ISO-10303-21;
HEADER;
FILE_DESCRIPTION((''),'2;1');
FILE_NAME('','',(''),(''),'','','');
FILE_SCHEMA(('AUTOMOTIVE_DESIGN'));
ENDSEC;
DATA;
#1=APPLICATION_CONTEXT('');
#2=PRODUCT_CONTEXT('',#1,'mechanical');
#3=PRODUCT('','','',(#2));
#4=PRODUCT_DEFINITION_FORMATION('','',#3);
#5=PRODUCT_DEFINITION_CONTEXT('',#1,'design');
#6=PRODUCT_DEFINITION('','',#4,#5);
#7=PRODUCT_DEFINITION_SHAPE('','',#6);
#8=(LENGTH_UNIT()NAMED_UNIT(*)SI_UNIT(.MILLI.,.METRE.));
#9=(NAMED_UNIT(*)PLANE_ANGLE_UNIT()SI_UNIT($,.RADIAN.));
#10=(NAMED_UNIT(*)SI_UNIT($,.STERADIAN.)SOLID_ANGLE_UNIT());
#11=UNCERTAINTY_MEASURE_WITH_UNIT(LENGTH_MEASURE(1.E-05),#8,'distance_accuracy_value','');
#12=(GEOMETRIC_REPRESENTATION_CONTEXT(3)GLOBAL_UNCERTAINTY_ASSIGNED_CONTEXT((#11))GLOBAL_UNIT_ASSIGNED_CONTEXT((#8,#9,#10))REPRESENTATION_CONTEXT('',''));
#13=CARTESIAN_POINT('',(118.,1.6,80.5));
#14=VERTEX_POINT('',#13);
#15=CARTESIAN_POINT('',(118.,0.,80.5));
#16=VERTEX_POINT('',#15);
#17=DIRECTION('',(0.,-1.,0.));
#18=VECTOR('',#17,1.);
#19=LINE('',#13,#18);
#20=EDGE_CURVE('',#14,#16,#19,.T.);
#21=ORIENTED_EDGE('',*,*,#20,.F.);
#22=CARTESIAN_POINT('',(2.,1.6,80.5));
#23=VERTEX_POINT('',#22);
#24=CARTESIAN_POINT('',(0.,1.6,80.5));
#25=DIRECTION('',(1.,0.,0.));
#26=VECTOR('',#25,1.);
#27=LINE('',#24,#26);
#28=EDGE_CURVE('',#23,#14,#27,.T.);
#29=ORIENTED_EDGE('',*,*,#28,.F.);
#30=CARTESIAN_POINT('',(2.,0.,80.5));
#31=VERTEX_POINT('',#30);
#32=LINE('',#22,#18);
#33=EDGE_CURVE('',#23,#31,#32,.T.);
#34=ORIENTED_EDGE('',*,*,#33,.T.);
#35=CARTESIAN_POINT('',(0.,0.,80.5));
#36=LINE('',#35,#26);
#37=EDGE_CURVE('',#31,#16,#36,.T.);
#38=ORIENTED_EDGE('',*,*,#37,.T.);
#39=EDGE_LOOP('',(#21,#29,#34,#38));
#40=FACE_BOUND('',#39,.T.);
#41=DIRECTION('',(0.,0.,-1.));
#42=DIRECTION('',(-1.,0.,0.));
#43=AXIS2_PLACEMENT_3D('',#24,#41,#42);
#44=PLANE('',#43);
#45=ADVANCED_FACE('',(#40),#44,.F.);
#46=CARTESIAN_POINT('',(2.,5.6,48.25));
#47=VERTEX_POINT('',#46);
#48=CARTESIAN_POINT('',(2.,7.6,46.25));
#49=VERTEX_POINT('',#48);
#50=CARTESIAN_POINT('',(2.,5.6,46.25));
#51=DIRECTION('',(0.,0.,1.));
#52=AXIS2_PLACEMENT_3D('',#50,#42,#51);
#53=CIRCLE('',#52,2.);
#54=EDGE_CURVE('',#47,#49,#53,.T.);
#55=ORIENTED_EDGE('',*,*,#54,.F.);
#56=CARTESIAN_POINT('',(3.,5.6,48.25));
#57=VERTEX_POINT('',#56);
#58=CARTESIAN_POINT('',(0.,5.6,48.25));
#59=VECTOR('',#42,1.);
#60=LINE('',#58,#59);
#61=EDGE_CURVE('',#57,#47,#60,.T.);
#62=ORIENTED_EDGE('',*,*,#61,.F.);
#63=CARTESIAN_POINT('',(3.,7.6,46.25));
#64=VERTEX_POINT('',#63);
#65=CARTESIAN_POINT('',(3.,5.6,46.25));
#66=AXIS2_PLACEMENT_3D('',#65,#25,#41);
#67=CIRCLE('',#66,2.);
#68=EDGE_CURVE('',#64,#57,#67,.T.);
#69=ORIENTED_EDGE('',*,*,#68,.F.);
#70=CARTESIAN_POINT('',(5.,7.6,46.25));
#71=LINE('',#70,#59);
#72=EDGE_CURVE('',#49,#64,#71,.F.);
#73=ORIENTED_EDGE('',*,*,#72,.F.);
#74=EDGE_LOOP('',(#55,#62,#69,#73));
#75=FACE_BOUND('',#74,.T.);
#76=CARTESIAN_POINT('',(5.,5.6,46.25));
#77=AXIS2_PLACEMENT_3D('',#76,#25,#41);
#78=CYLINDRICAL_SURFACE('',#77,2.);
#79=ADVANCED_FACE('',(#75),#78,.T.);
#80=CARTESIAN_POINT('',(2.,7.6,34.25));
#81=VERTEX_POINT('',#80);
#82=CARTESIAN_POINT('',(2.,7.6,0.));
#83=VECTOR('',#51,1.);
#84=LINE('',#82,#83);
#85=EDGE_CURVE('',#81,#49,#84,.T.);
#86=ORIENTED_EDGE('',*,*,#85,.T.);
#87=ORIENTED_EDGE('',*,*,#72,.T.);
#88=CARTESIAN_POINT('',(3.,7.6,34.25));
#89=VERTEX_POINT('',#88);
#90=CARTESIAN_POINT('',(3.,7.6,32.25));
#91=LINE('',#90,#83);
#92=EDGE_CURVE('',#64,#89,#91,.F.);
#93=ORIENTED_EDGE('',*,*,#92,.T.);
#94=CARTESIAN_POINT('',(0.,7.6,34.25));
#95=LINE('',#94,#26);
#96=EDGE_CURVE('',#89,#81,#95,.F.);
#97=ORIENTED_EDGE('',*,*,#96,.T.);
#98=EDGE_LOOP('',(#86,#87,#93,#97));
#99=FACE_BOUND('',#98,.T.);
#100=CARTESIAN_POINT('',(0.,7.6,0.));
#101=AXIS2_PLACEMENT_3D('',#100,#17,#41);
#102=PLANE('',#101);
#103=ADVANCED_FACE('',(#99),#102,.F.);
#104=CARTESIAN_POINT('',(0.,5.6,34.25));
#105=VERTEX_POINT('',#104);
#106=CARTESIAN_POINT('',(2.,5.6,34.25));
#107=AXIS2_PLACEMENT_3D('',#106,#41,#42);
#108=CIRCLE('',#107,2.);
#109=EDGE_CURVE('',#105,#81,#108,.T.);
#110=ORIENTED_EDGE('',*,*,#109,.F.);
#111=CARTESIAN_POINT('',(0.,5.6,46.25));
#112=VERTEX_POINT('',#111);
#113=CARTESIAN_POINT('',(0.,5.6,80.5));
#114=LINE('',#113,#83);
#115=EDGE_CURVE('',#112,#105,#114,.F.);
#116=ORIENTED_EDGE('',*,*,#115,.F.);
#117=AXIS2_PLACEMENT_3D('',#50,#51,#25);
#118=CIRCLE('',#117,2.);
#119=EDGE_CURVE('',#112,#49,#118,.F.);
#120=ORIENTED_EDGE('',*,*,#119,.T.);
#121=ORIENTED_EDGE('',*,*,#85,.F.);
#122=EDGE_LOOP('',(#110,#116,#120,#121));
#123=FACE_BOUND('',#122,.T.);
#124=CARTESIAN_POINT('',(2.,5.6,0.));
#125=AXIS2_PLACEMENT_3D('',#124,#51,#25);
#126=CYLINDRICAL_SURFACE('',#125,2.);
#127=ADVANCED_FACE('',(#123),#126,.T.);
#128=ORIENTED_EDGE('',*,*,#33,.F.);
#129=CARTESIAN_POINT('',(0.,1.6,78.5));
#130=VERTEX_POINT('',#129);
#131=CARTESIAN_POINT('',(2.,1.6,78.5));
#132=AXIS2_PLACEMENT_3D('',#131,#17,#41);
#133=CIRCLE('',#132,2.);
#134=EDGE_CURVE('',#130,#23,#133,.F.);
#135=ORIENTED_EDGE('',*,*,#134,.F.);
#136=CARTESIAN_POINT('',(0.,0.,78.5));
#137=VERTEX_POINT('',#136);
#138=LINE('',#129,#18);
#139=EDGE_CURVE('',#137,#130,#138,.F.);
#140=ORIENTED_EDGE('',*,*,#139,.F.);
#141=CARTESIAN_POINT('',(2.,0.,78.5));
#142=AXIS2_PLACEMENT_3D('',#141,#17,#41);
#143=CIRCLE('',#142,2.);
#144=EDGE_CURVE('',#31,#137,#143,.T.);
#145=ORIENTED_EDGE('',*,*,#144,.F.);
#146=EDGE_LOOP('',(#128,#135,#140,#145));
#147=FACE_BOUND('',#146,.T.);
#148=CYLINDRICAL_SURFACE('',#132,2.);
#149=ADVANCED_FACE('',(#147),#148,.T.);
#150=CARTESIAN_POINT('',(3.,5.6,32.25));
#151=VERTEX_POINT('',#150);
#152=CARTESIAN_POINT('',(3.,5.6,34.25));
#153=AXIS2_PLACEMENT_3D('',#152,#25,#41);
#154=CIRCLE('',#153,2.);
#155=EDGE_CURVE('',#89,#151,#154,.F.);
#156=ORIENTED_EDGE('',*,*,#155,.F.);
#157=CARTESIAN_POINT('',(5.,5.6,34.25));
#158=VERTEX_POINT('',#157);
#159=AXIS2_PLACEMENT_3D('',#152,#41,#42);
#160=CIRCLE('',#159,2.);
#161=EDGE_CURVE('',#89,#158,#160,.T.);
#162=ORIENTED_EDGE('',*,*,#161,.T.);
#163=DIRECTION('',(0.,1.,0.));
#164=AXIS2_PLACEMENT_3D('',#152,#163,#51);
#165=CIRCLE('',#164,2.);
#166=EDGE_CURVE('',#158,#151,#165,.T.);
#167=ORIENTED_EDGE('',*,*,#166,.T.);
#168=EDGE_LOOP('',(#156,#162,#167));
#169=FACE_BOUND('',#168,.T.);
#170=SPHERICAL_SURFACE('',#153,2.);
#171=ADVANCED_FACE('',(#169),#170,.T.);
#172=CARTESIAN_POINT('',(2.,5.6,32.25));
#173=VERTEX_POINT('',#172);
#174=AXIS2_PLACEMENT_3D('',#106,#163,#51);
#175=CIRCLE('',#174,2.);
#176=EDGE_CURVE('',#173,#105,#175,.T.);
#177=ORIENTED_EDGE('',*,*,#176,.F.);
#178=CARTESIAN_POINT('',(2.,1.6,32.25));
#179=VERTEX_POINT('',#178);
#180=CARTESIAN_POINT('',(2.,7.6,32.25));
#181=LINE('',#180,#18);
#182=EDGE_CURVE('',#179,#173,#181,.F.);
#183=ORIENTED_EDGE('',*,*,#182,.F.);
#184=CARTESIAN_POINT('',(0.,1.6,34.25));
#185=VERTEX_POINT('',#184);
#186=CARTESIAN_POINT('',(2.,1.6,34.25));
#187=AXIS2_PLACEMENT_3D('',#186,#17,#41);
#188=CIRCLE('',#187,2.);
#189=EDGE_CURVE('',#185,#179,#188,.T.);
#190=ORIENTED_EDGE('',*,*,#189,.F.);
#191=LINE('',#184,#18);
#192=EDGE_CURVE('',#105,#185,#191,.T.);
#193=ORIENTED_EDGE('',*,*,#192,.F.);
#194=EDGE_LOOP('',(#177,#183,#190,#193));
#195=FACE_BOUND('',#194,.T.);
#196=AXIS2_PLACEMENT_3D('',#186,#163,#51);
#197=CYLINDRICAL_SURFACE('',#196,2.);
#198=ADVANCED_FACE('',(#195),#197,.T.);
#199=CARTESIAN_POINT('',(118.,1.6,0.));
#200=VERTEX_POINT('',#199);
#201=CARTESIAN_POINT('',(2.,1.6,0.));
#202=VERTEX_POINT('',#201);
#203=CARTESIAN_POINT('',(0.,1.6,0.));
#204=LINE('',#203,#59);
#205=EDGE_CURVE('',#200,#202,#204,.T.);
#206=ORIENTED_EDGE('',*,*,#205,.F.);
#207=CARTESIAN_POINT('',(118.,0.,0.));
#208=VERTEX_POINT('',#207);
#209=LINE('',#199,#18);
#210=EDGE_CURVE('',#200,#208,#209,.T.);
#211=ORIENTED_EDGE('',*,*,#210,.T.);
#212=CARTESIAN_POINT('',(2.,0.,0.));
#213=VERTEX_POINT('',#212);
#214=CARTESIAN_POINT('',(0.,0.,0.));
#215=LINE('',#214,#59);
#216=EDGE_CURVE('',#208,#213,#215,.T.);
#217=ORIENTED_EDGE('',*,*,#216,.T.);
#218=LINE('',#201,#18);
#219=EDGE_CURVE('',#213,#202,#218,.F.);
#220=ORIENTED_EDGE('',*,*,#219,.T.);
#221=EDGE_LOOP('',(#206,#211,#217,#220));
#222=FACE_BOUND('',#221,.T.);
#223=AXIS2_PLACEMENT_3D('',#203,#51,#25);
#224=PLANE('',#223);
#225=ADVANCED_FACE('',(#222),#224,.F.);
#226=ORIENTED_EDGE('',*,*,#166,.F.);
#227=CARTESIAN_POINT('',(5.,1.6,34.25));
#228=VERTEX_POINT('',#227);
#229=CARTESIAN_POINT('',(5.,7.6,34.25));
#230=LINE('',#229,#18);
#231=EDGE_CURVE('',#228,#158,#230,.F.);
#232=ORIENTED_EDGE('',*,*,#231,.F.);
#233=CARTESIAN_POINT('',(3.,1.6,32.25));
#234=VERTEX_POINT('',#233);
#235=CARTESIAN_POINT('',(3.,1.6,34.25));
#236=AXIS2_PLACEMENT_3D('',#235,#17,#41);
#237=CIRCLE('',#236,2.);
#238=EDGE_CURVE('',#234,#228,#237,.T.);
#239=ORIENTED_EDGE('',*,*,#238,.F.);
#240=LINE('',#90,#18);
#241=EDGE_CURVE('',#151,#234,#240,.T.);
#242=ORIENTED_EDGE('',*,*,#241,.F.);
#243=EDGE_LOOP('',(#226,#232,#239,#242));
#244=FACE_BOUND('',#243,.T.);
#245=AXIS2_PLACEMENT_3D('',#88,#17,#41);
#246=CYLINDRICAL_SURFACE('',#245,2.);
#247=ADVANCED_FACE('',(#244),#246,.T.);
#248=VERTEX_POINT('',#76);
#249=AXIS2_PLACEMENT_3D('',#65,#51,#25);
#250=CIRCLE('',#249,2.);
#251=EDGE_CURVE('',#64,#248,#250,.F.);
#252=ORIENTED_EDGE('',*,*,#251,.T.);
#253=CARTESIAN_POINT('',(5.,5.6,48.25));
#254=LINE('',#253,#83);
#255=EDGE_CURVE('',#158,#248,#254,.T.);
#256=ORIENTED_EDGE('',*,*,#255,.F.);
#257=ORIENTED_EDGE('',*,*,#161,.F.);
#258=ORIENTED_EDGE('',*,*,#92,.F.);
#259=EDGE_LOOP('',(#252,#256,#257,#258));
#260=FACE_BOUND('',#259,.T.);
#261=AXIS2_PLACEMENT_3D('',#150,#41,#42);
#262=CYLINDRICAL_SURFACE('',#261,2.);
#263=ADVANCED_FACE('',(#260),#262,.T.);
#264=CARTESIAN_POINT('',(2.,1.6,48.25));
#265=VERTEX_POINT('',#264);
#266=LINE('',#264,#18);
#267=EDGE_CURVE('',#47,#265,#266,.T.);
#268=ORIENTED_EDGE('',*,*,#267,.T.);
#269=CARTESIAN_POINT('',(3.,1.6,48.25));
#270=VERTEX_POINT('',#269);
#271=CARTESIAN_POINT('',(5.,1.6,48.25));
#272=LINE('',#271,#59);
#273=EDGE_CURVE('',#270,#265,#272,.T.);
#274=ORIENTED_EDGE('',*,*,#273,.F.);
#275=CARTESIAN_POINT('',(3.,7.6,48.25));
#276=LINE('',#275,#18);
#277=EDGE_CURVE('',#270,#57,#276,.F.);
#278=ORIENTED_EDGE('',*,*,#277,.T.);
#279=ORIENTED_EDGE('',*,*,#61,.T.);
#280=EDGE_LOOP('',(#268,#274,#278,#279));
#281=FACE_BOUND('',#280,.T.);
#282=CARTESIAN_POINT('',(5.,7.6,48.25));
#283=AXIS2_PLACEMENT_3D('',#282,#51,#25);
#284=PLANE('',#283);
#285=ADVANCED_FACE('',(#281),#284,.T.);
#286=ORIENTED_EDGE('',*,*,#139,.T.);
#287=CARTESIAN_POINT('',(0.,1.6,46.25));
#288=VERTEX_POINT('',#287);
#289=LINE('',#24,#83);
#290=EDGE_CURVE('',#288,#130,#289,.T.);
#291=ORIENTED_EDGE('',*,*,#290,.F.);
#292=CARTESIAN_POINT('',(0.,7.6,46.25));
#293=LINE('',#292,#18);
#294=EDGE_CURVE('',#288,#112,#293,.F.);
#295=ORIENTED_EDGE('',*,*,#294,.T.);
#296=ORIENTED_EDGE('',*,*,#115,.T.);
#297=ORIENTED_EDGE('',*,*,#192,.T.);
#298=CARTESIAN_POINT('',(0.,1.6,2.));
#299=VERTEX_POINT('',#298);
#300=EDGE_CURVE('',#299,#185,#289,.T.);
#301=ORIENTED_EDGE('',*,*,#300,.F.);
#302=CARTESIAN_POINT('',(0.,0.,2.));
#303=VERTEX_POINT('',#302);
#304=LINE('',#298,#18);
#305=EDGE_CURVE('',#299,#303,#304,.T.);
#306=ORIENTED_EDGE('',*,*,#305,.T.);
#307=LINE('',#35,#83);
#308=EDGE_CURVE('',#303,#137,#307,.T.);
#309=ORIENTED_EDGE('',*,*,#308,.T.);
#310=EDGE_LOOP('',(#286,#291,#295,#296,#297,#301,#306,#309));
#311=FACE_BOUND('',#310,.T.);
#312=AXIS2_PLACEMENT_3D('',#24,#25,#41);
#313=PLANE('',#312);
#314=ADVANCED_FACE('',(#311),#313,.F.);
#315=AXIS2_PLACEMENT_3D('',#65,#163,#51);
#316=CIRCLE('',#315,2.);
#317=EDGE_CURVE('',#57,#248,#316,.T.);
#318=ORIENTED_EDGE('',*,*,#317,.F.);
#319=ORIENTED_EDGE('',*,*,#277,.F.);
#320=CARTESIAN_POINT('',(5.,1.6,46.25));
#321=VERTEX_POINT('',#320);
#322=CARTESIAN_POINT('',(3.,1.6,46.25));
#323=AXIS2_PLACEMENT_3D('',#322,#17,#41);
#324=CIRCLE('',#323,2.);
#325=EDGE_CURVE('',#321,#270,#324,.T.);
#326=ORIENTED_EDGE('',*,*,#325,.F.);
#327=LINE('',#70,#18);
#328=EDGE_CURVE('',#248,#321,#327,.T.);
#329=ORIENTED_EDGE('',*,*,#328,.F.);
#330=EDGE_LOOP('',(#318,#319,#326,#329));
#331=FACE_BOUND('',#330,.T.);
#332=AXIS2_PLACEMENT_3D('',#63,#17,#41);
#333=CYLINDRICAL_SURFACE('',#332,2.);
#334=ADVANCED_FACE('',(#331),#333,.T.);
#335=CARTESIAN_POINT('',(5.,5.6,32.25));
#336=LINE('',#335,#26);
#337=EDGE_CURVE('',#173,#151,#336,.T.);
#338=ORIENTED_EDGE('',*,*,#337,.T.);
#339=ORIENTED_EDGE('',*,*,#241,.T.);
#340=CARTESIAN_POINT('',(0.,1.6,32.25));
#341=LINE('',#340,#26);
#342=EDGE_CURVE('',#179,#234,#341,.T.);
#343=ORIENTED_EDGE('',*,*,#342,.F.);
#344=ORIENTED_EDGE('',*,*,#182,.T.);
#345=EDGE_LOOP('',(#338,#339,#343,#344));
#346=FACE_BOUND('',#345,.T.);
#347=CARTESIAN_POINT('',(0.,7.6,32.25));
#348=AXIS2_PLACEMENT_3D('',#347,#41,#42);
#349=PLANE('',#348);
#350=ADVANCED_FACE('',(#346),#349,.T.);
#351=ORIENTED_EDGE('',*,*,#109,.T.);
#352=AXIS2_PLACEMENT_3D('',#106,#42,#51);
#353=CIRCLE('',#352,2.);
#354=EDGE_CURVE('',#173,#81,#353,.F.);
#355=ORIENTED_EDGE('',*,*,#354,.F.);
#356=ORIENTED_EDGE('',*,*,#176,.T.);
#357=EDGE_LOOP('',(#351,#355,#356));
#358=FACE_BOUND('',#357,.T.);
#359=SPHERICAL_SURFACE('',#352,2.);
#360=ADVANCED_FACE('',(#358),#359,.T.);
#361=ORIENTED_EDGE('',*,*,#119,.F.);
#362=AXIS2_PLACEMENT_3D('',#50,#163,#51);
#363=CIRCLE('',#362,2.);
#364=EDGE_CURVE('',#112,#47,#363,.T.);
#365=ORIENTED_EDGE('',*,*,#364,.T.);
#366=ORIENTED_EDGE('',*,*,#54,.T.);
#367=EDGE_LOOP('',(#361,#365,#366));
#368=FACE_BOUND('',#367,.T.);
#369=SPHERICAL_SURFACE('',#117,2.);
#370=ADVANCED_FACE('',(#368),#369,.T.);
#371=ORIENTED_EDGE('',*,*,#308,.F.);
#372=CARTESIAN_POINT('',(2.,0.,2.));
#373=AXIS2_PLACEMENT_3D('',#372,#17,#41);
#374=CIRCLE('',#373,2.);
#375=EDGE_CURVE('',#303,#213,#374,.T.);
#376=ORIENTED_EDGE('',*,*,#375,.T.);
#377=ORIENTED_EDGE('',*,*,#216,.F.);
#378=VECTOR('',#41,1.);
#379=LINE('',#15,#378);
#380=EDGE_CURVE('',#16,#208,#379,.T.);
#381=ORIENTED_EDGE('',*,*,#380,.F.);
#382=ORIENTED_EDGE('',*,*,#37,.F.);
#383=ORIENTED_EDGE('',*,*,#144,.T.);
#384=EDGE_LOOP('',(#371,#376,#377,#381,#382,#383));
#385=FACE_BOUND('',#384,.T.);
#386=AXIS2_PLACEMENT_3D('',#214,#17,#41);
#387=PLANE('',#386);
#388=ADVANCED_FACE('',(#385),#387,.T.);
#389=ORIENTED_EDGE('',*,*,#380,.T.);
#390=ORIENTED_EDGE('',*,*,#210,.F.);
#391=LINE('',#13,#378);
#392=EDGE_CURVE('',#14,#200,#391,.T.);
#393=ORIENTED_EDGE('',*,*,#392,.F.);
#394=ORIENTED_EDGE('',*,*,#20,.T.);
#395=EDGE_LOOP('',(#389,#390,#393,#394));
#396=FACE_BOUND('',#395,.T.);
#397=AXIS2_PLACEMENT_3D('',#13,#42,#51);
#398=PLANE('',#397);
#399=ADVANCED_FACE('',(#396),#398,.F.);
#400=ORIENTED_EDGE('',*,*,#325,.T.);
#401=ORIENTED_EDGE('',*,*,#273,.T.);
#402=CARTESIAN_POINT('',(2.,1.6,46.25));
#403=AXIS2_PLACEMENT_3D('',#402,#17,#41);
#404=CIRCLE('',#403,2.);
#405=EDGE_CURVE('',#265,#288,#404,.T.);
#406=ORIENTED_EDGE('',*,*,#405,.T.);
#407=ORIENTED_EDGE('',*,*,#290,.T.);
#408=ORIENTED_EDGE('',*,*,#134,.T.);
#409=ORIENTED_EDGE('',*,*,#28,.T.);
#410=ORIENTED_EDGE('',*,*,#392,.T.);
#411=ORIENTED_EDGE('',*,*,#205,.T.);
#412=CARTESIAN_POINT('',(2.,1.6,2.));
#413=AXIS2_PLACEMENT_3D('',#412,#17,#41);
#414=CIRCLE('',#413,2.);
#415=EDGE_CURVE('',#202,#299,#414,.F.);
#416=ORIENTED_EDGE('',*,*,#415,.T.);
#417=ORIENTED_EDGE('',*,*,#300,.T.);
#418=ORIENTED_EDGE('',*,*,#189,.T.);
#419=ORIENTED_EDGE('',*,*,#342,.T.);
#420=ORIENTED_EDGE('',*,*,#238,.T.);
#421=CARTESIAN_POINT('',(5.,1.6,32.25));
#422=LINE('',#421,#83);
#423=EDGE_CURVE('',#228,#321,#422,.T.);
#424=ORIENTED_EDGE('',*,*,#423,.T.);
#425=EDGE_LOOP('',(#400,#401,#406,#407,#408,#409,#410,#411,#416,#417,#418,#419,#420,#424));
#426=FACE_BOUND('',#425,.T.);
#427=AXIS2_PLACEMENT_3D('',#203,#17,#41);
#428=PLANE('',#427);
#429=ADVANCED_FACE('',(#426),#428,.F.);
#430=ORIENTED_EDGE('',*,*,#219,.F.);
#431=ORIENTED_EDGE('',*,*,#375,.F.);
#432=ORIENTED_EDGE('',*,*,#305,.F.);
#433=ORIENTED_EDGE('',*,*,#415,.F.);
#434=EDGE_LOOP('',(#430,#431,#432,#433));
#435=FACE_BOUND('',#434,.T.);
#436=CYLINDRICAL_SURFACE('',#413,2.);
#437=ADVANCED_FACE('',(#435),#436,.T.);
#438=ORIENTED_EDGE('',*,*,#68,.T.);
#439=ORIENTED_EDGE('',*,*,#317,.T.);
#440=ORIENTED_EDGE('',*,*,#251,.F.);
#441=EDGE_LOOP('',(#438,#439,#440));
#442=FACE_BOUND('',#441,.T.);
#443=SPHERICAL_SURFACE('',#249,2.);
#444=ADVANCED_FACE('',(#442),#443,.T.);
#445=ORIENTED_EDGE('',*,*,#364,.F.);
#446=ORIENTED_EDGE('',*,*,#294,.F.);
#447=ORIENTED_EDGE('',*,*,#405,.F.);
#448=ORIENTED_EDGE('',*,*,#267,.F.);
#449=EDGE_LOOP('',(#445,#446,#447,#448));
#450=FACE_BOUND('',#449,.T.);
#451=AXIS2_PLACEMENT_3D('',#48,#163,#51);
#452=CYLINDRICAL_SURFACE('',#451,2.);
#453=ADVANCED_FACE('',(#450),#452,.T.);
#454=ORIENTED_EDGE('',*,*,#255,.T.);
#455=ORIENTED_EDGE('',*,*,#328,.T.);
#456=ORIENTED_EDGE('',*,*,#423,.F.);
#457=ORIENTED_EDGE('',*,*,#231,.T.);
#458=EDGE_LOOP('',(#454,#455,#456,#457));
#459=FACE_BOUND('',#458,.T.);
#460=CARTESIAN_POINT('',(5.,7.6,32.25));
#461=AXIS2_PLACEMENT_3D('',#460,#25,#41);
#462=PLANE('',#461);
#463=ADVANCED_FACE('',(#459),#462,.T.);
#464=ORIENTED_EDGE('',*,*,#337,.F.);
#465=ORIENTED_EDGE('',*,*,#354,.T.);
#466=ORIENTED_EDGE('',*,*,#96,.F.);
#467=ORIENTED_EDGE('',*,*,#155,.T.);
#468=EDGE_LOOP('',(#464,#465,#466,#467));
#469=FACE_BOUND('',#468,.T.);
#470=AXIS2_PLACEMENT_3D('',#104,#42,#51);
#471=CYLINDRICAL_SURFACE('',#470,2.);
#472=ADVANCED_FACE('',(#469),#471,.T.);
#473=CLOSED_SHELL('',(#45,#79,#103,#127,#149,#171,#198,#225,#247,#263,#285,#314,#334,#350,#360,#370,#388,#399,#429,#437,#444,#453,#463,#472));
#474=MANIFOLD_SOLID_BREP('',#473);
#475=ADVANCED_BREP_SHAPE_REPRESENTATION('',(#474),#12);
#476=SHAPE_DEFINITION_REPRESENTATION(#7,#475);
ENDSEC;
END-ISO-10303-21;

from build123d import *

# Parameters (mm, degrees)
SKETCH1_W           = 118
SKETCH1_H           = 80.5
LID_EXTRUDE_DEPTH   = 1.6
LID_EDGE_FILLET_R   = 2
SKETCH2_W           = 5
SKETCH2_H           = 16
BOSS_EXTRUDE2_DEPTH = 6
FILLET2_R           = 2


with BuildPart() as part:
    # Sketch1 → lid extrude (new body)
    with BuildSketch(Plane(origin=(0, 0, 0), x_dir=(1, 0, 0), z_dir=(0, 1, 0))):
        with Locations((59, -40.25)):
            Rectangle(SKETCH1_W, SKETCH1_H)
    extrude(amount=LID_EXTRUDE_DEPTH)

    # lid edge fillet
    lid_edge_fillet_edges = [part.edges().sort_by_distance(p)[0] for p in [
        (0, 0.8, 0),
        (0, 0.8, 80.5),
    ]]
    fillet(lid_edge_fillet_edges, radius=LID_EDGE_FILLET_R)

    # Sketch2 → Boss-Extrude2 (add)
    with BuildSketch(Plane(origin=(0, 1.6, 0), x_dir=(1, 0, 0), z_dir=(0, 1, 0))):
        with Locations((2.5, -40.25)):
            Rectangle(SKETCH2_W, SKETCH2_H)
    extrude(amount=BOSS_EXTRUDE2_DEPTH)

    # Fillet2
    fillet2_edges = [part.edges().sort_by_distance(p)[0] for p in [
        (0, 4.6, 32.25),
        (2.5, 7.6, 48.25),
        (0, 4.6, 48.25),
        (5, 7.6, 40.25),
        (5, 4.6, 48.25),
        (2.5, 7.6, 32.25),
        (5, 4.6, 32.25),
        (0, 7.6, 40.25),
    ]]
    fillet(fillet2_edges, radius=FILLET2_R)


solid = part.part
